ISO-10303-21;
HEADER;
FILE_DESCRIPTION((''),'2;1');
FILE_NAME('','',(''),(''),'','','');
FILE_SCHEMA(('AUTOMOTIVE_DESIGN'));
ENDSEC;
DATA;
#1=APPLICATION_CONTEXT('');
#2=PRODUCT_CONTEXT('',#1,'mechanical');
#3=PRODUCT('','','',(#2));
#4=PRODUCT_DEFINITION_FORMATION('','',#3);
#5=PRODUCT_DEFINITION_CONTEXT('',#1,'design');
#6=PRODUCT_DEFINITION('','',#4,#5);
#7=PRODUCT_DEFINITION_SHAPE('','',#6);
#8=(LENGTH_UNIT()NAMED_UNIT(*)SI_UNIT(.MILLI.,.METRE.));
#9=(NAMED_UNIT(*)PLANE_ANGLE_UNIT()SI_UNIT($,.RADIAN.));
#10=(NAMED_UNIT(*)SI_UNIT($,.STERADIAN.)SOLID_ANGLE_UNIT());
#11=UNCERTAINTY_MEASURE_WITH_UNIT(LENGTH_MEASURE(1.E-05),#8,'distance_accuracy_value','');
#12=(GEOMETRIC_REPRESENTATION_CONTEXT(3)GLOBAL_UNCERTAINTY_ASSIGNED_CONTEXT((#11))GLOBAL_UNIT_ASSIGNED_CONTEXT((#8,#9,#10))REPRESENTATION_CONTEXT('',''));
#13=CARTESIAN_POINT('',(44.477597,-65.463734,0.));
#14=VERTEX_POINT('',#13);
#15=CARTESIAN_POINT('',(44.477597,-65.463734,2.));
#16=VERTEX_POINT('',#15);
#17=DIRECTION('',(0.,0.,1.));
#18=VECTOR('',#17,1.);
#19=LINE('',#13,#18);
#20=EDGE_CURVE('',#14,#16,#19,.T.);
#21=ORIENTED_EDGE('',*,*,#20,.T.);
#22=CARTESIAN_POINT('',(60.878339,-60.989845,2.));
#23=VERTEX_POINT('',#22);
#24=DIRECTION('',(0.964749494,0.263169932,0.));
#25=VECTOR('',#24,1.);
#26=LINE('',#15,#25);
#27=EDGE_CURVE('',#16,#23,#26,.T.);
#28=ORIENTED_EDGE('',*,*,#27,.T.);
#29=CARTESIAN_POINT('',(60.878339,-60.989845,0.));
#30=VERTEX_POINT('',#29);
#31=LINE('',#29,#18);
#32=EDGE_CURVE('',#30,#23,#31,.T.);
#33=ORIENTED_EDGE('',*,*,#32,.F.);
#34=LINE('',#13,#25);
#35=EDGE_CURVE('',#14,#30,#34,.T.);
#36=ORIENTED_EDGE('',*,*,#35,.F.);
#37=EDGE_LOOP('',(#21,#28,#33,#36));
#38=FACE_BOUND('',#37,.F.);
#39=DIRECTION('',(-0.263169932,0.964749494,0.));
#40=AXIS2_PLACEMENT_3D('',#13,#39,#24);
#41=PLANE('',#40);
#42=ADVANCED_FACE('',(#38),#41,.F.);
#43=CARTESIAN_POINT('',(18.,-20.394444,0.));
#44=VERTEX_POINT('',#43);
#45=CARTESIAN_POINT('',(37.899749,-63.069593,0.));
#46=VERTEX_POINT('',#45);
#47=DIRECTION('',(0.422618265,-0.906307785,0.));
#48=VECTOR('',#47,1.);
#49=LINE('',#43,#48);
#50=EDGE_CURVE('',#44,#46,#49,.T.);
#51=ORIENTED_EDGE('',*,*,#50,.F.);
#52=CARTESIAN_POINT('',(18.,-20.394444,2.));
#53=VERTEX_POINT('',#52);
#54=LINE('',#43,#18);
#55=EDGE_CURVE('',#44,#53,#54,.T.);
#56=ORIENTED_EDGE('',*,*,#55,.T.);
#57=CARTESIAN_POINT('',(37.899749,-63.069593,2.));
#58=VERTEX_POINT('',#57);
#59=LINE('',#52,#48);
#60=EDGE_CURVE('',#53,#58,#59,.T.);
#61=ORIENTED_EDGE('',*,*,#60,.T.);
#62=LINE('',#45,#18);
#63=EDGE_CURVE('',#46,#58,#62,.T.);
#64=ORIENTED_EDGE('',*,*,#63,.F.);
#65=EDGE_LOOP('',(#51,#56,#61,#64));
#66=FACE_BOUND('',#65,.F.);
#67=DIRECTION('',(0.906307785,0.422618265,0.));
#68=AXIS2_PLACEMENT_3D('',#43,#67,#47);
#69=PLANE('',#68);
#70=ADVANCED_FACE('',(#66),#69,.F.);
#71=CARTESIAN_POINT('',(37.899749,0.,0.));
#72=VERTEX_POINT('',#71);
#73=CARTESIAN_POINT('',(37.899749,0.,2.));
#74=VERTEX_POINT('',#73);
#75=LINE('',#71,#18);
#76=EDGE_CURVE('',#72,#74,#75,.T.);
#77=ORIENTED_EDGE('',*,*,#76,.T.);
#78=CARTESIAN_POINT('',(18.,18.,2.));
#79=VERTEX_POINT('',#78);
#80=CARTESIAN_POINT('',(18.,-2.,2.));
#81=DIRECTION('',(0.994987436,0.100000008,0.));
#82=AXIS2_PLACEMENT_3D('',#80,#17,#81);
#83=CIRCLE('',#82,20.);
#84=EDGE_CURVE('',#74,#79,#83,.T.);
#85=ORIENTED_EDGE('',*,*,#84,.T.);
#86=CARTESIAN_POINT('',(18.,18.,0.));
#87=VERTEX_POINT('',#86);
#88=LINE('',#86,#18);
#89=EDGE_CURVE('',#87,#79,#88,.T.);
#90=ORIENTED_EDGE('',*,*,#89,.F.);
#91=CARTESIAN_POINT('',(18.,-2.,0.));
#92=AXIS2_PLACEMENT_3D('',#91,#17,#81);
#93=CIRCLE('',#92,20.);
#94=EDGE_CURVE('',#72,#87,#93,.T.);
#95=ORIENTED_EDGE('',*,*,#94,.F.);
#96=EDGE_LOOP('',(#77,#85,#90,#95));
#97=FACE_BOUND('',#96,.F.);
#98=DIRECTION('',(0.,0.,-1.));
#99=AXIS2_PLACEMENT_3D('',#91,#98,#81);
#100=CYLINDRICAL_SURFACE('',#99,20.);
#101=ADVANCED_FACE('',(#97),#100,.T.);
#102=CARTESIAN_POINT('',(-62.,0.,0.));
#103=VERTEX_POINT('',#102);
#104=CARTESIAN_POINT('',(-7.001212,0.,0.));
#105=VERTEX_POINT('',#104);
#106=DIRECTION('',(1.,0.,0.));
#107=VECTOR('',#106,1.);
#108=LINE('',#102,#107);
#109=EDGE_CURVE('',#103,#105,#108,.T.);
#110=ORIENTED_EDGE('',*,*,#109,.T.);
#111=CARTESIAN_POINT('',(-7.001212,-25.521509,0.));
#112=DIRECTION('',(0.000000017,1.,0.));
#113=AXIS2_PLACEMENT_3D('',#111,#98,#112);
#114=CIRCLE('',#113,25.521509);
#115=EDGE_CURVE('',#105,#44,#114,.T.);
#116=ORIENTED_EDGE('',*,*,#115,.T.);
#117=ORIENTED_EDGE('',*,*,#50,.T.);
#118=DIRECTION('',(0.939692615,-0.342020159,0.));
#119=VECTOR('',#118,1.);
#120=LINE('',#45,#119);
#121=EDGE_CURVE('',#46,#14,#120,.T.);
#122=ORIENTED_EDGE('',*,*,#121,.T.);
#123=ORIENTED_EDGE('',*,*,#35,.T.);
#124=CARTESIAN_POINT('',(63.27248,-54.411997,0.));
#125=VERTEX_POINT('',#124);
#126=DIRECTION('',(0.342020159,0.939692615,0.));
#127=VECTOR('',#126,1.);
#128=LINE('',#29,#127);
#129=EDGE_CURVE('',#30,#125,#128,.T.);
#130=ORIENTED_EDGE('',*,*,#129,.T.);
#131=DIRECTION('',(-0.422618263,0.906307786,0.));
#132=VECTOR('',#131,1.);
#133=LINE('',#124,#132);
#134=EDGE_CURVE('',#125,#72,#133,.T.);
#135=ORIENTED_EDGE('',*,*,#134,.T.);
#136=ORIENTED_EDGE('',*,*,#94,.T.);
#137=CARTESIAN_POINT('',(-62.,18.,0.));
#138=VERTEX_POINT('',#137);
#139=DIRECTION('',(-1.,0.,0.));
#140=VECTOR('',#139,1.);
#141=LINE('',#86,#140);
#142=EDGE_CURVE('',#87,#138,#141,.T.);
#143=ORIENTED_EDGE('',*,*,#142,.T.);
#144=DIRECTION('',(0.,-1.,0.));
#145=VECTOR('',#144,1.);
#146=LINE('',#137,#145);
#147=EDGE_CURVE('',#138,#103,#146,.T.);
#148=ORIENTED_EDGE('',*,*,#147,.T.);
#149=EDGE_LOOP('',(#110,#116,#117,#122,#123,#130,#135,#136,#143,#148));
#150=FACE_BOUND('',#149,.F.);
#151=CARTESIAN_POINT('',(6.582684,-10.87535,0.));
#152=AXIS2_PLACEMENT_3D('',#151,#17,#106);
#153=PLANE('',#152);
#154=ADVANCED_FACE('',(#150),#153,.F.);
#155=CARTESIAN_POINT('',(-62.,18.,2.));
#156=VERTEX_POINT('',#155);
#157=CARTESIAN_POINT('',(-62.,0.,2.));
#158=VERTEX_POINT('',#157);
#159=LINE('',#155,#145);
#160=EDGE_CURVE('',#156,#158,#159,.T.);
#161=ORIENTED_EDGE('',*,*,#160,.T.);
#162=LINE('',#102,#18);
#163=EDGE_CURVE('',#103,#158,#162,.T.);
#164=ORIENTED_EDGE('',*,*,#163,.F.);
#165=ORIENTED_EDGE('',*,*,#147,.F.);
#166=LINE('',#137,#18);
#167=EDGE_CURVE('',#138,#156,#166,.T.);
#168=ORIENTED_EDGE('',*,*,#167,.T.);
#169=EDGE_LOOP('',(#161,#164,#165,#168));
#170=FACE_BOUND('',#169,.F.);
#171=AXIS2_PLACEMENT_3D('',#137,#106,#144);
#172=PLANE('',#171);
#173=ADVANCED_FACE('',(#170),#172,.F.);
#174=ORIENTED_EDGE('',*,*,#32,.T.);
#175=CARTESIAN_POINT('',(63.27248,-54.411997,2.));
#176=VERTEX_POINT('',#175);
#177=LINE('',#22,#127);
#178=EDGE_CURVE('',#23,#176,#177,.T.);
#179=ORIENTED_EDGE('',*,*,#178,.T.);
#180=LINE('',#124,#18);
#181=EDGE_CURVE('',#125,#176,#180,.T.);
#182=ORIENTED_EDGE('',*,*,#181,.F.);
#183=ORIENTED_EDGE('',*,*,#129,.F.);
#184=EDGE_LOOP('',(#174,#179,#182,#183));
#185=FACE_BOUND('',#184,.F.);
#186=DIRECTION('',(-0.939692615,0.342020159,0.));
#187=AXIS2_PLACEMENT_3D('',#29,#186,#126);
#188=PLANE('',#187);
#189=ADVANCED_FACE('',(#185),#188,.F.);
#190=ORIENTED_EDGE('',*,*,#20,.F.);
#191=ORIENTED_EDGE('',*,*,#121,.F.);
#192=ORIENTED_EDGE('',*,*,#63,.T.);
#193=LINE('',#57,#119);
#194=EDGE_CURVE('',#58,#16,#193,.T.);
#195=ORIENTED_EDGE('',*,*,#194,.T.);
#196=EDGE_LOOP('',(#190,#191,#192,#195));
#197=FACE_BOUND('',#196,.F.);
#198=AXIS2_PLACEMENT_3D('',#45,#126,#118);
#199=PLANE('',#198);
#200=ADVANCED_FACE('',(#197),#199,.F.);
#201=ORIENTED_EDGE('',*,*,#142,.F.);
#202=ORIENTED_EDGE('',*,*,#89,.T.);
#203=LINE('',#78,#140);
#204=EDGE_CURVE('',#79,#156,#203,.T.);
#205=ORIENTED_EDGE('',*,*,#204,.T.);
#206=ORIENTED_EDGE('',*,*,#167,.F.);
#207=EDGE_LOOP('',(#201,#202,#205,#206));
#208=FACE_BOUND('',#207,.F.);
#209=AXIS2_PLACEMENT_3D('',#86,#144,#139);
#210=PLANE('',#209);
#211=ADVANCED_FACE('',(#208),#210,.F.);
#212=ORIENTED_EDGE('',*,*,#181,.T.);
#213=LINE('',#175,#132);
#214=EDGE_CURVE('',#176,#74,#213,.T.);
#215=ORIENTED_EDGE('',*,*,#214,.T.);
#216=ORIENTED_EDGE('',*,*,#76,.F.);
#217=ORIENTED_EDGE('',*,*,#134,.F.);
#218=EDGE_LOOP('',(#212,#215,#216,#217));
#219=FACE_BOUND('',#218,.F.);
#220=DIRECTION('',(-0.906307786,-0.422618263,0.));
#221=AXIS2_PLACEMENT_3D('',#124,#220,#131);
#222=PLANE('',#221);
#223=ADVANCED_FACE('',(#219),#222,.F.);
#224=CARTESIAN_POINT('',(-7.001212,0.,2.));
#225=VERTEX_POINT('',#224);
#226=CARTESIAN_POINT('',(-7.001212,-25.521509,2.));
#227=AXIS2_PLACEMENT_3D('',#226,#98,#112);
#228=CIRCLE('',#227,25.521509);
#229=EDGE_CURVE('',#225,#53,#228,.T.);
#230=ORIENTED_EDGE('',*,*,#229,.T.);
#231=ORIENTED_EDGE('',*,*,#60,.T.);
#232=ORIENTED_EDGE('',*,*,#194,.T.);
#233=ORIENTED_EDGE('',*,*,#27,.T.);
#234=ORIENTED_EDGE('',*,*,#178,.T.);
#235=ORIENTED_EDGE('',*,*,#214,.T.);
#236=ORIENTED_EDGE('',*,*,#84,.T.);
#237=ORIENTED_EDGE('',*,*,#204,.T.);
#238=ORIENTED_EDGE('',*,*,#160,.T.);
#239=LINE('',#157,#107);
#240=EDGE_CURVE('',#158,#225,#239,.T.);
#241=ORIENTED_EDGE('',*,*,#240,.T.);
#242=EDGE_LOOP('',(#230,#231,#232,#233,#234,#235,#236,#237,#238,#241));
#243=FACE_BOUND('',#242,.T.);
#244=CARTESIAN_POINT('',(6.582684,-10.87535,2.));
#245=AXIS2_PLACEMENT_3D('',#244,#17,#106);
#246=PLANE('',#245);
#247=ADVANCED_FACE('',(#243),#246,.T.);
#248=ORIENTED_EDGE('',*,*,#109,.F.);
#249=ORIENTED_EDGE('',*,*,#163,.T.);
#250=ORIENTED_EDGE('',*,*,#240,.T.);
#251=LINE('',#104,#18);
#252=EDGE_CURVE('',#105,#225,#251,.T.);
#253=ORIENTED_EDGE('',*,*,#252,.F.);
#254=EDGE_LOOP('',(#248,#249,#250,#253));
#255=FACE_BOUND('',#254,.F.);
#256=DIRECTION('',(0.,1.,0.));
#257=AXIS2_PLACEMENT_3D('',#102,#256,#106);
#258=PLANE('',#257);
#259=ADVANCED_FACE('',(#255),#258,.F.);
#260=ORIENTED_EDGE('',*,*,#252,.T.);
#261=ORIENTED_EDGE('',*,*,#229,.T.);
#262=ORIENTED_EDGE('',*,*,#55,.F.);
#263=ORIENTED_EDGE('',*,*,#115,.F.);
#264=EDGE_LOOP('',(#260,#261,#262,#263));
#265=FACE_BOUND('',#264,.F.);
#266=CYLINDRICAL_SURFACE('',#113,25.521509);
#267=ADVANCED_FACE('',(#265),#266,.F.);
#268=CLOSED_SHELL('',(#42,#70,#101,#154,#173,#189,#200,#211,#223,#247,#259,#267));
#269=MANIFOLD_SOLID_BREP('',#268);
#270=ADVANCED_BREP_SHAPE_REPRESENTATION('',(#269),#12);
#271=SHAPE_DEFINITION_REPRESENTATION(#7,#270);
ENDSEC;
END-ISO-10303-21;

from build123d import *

# Parameters (mm, degrees)
F1_DEPTH = 2


with BuildPart() as f1:
    # F0 (on Top) → F1 (new body)
    with BuildSketch(Plane.XY):
        with BuildLine():
            Line((18, 18), (-62, 18))
            Line((-62, 18), (-62, 0))
            Line((-62, 0), (-7.001212, 0))
            ThreePointArc((-7.001212, 0), (9.131007, -5.745288), (18, -20.394444))
            Line((18, -20.394444), (37.899749, -63.069593))
            Line((37.899749, -63.069593), (44.477597, -65.463734))
            Line((44.477597, -65.463734), (60.878339, -60.989845))
            Line((60.878339, -60.989845), (63.27248, -54.411997))
            Line((63.27248, -54.411997), (37.899749, 0))
            ThreePointArc((37.899749, 0), (31.416408, 12.832397), (18, 18))
        make_face()
    extrude(amount=F1_DEPTH)


solid = f1.part
